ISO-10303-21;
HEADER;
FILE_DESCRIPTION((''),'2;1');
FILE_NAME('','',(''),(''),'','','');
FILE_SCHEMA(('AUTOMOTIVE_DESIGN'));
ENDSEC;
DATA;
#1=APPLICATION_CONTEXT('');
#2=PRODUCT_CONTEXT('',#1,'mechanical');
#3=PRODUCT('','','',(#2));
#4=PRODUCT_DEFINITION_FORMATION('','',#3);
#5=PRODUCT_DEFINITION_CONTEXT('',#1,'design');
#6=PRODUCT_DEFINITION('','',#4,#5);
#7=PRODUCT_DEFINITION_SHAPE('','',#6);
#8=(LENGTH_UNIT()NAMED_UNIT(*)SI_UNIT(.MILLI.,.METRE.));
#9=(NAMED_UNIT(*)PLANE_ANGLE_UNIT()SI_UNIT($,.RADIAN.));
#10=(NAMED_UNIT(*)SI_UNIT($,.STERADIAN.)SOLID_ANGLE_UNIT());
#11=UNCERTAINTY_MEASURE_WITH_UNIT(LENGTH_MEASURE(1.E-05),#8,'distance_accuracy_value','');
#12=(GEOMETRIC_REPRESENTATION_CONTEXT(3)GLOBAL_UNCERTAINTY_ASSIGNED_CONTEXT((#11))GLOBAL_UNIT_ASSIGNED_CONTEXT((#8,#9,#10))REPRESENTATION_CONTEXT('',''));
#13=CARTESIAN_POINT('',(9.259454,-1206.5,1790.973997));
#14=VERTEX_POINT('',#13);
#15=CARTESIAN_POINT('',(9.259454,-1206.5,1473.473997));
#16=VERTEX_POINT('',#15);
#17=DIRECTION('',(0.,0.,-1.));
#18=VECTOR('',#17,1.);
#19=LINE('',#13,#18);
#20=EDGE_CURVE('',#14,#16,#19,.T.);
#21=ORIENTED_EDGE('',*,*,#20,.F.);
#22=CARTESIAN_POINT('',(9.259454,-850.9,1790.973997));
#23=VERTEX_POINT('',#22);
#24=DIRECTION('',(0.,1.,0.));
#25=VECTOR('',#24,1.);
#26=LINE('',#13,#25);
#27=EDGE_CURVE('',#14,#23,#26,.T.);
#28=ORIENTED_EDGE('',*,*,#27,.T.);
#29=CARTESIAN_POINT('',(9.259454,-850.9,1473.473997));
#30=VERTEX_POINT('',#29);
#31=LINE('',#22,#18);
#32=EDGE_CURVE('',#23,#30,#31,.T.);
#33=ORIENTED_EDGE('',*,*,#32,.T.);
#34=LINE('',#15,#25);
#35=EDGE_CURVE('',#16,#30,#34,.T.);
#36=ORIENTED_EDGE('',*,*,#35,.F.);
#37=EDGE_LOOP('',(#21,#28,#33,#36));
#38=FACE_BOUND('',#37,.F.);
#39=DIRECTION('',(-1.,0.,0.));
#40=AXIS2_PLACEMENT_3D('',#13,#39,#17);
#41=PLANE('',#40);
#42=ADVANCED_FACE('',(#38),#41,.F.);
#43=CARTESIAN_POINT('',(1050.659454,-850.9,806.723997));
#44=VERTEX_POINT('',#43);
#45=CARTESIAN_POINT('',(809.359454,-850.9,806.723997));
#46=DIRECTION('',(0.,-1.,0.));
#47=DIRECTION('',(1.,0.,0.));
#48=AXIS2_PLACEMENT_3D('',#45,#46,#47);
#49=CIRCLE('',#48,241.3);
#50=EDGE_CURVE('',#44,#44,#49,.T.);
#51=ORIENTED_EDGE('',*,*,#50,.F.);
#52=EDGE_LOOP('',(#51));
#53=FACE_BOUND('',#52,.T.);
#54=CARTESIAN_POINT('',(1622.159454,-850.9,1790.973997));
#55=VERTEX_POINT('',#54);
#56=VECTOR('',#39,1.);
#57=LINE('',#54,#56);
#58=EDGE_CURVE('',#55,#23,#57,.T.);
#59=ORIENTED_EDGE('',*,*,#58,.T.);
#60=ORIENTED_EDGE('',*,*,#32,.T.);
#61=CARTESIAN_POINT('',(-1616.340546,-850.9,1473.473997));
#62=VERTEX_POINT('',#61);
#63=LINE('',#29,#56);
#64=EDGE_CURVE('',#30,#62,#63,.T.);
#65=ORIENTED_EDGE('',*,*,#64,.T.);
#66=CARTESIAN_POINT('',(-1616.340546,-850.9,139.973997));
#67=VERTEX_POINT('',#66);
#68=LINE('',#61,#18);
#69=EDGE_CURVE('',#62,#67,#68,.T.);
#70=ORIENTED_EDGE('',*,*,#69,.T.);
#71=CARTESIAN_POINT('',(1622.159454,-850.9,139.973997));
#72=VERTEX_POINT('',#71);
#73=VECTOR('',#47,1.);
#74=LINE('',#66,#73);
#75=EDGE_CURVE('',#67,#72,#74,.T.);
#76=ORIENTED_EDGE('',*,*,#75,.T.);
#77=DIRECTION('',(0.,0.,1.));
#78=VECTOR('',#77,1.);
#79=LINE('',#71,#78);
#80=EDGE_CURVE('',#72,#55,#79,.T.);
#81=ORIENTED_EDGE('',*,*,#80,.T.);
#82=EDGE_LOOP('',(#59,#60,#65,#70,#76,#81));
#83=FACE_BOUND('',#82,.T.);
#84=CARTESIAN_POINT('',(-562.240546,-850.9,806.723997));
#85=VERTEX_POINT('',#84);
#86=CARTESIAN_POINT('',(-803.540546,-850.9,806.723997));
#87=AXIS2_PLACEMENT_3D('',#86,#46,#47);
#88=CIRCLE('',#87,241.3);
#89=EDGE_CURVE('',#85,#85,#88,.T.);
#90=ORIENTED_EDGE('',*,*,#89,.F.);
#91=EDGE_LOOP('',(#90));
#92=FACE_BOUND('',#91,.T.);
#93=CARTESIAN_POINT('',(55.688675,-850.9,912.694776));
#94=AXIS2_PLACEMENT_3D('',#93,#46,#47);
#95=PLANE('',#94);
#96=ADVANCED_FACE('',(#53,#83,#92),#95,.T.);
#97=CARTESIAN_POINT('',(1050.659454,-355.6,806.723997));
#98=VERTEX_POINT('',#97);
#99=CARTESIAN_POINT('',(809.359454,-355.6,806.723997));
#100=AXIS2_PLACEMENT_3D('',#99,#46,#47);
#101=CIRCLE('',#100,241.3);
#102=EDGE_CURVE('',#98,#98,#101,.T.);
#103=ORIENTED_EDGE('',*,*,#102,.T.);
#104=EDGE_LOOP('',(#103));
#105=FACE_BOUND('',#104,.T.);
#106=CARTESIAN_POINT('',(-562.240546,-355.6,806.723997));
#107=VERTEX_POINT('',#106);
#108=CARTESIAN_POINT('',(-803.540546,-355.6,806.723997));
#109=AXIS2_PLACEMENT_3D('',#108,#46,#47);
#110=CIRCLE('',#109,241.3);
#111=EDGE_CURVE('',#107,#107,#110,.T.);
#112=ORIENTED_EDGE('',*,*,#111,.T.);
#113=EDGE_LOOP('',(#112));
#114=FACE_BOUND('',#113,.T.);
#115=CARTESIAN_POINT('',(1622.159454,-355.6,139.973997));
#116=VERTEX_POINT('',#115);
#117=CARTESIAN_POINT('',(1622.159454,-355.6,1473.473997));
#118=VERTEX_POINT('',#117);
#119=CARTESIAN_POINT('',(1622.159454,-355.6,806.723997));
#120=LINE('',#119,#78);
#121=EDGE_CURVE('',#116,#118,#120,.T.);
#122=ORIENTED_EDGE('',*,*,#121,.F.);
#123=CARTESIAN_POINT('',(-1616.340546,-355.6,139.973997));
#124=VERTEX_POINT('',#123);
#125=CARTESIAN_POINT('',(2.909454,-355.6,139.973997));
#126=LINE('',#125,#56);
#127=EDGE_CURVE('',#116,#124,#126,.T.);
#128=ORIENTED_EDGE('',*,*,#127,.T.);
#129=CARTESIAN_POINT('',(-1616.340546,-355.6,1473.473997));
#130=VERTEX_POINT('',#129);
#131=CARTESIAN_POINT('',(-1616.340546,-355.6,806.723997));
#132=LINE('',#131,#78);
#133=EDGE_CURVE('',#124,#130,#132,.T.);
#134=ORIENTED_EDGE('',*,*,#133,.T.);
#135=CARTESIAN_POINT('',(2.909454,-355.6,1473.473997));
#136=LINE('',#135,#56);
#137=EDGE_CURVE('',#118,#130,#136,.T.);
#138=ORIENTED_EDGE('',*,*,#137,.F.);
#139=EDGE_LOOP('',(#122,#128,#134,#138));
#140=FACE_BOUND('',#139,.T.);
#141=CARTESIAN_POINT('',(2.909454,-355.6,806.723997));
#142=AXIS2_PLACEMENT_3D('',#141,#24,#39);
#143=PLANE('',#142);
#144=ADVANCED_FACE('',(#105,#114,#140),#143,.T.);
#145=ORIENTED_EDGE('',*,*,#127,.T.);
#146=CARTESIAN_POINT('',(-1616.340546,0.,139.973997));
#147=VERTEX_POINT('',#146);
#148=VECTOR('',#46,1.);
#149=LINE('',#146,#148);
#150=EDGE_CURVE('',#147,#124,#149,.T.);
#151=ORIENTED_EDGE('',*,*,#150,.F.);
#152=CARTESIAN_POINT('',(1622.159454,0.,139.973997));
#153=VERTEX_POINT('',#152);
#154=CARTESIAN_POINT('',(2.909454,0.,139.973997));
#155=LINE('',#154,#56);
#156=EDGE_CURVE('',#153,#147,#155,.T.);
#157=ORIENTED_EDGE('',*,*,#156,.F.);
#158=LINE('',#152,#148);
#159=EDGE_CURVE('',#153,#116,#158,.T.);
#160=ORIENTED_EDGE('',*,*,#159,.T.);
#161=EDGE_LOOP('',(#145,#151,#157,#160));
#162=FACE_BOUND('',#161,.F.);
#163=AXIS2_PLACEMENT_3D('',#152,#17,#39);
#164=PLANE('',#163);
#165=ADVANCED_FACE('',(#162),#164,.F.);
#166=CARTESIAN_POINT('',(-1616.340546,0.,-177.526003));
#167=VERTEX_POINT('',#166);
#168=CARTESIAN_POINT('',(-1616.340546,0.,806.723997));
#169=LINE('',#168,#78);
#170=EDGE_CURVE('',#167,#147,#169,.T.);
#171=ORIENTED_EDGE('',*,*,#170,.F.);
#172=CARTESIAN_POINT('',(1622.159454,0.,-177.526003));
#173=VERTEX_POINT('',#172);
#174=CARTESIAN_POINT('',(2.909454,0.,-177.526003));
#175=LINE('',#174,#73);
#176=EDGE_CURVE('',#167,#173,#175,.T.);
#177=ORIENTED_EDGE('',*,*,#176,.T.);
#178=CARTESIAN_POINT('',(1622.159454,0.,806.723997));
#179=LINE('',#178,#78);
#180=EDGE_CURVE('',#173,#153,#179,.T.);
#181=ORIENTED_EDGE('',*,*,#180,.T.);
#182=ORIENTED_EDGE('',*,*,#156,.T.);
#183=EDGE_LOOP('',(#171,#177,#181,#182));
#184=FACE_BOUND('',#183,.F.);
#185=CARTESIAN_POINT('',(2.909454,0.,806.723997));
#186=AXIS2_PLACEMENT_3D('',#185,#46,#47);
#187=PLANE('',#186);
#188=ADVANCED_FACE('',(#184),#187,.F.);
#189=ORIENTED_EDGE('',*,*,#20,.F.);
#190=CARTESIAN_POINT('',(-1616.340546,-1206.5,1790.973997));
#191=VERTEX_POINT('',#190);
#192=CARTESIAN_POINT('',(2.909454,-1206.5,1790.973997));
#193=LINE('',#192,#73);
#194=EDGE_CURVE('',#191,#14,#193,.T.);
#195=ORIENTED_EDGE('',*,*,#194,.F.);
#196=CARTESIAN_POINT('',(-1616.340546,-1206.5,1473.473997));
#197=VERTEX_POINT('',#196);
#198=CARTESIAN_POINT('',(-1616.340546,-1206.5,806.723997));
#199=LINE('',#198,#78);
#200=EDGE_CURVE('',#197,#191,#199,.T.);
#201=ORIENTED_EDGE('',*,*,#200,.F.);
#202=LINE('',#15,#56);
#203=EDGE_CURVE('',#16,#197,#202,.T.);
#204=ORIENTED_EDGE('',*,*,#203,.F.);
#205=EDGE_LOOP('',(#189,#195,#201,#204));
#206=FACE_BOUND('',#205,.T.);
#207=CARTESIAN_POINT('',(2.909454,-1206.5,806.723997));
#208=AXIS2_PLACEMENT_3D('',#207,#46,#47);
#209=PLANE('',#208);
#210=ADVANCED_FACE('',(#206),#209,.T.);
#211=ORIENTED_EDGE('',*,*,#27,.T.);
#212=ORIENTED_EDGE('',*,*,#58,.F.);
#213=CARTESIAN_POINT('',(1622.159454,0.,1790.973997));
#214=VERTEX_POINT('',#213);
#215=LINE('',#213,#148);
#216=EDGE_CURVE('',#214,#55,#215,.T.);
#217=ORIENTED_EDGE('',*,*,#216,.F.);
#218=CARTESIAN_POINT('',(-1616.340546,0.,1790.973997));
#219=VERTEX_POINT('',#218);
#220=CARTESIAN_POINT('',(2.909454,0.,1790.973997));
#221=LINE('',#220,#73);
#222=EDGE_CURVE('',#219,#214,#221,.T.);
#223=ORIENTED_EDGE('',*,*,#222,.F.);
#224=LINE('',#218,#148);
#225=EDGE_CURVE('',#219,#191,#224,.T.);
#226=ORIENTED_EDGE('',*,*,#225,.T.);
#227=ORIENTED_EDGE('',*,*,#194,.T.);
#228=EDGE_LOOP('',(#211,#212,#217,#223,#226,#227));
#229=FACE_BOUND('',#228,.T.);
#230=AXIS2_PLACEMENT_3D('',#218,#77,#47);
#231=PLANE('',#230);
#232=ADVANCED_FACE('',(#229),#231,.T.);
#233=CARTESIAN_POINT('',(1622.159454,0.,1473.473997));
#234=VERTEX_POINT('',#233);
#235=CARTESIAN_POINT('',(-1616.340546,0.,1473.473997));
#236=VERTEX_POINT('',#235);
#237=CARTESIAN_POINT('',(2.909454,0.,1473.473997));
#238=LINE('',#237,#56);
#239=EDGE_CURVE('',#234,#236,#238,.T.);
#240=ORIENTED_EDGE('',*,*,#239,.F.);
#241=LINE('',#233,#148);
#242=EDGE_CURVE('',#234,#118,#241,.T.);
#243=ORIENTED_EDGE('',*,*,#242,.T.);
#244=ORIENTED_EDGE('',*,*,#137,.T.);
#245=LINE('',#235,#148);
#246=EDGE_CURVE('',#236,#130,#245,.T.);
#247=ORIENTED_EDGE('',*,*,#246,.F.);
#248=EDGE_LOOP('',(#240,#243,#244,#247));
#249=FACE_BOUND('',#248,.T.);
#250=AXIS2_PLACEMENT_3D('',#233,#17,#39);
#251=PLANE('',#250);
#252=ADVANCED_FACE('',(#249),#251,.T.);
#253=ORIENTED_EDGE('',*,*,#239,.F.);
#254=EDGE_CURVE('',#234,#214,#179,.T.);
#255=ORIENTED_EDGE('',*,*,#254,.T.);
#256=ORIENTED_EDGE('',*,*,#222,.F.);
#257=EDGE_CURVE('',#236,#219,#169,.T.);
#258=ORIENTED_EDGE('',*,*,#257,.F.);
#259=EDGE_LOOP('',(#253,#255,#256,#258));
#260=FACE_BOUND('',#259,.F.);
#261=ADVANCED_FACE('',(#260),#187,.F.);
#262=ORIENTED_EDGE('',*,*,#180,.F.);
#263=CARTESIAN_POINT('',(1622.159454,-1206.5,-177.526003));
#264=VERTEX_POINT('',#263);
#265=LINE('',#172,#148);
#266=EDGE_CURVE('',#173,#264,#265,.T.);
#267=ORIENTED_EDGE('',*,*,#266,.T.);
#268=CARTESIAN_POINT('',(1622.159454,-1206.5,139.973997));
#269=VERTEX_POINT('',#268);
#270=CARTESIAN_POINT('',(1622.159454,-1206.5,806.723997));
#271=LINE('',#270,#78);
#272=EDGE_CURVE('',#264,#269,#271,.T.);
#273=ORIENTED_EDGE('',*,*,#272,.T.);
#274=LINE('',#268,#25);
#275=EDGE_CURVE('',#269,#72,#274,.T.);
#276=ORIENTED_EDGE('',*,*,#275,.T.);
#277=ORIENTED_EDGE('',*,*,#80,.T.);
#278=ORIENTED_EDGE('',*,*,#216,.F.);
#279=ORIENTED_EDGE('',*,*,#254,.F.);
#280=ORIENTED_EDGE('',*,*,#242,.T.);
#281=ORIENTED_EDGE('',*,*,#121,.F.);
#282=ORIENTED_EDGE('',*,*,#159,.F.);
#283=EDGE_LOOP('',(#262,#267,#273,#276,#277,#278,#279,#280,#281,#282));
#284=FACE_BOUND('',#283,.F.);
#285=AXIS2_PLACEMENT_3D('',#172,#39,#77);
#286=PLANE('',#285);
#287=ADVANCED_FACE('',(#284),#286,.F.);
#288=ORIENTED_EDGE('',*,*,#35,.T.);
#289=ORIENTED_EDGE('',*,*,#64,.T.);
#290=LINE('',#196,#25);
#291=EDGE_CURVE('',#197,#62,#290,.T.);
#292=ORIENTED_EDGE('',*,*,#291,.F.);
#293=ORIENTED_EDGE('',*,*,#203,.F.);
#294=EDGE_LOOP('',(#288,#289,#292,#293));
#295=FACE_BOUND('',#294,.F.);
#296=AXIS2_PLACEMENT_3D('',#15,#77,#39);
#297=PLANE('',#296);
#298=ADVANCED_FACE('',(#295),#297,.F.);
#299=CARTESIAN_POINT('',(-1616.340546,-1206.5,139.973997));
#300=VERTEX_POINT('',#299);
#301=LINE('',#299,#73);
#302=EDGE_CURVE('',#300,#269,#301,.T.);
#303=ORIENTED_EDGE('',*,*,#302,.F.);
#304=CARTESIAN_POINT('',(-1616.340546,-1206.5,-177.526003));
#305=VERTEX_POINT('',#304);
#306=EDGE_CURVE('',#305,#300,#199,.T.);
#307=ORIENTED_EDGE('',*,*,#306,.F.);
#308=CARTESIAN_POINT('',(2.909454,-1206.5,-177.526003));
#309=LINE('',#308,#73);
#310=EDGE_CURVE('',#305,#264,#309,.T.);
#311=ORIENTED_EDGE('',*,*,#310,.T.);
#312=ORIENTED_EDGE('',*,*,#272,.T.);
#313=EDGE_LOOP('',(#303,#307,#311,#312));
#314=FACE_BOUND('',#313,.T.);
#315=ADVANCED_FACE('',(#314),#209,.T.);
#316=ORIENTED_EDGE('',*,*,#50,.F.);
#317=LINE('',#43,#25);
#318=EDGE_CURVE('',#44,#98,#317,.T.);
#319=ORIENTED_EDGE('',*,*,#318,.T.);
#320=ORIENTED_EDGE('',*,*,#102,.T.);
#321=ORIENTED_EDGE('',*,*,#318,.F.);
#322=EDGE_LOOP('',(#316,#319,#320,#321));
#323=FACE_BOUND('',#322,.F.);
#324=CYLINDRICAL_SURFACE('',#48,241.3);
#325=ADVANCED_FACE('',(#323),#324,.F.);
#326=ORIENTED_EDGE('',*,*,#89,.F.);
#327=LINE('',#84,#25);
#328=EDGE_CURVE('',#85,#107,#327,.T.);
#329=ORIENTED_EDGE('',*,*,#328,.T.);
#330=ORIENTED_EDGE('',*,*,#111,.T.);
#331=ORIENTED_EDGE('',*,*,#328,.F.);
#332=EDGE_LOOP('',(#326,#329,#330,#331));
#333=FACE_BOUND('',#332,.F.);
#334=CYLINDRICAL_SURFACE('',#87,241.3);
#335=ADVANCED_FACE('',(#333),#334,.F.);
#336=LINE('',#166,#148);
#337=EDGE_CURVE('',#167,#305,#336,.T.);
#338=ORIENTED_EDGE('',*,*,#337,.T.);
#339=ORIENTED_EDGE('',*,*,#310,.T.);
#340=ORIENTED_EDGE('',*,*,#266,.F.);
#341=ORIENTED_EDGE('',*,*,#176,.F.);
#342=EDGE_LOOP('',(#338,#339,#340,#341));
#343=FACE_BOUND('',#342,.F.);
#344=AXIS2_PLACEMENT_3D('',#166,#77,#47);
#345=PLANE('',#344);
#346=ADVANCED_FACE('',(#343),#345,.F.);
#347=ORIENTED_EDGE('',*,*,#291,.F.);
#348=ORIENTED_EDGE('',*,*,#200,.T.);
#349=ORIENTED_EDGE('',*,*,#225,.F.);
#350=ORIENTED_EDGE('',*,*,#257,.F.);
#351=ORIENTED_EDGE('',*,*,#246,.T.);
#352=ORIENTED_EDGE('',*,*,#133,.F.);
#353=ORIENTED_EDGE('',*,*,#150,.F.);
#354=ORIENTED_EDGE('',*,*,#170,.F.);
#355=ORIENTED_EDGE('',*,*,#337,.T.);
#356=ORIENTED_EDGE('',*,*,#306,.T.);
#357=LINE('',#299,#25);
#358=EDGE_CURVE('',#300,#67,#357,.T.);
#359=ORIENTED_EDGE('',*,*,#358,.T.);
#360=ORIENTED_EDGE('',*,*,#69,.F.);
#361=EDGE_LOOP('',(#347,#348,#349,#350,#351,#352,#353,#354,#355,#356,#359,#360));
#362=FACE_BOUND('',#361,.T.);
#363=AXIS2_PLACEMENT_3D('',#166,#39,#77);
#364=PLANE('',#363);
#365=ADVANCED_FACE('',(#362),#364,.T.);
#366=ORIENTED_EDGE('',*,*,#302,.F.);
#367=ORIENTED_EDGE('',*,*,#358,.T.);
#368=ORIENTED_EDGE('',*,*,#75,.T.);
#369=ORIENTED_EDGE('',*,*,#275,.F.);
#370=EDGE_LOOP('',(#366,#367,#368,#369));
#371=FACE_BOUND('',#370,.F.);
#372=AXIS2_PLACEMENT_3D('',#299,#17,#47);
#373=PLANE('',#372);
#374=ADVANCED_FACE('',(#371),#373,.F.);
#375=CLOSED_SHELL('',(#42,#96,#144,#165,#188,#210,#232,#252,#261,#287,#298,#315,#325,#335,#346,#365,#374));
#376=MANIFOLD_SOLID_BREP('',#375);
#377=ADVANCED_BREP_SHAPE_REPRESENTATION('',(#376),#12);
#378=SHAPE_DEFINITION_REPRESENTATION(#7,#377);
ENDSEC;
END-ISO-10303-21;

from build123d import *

# Parameters (mm, degrees)
F0_W     = 3238.5
F0_H     = 1968.5
F1_DEPTH = 1206.5
F3_DEPTH = 355.6
F4_W     = 3238.5
F4_H     = 1333.5
F5_DEPTH = 355.6
F6_R     = 241.3
F7_DEPTH = 495.3


with BuildPart() as f1:
    # F0 (on Front) → F1 (new body)
    with BuildSketch(Plane.XZ):
        with Locations((2.909454, 806.723997)):
            Rectangle(F0_W, F0_H)
    extrude(amount=F1_DEPTH)

    # F2 (on face) → F3 (cut)
    with BuildSketch(Plane.XZ.offset(1206.5)):
        Polygon((-1616.340546, 139.973997), (1622.159454, 139.973997), (1622.159454, 1790.973997), (9.259454, 1790.973997), (9.259454, 1473.473997), (-1616.340546, 1473.473997), align=None)
    extrude(amount=-F3_DEPTH, mode=Mode.SUBTRACT)

    # F4 (on face) → F5 (cut)
    with BuildSketch(Plane(origin=(0, 0, 0), x_dir=(-1, 0, 0), z_dir=(0, 1, 0))):
        with Locations((-2.909454, 806.723997)):
            Rectangle(F4_W, F4_H)
    extrude(amount=-F5_DEPTH, mode=Mode.SUBTRACT)

    # F6 (on face) → F7 (cut)
    with BuildSketch(Plane.XZ.offset(850.9)):
        with Locations((809.359454, 806.723997)):
            Circle(F6_R)
        with Locations((-803.540546, 806.723997)):
            Circle(F6_R)
    extrude(amount=-F7_DEPTH, mode=Mode.SUBTRACT)


solid = f1.part
